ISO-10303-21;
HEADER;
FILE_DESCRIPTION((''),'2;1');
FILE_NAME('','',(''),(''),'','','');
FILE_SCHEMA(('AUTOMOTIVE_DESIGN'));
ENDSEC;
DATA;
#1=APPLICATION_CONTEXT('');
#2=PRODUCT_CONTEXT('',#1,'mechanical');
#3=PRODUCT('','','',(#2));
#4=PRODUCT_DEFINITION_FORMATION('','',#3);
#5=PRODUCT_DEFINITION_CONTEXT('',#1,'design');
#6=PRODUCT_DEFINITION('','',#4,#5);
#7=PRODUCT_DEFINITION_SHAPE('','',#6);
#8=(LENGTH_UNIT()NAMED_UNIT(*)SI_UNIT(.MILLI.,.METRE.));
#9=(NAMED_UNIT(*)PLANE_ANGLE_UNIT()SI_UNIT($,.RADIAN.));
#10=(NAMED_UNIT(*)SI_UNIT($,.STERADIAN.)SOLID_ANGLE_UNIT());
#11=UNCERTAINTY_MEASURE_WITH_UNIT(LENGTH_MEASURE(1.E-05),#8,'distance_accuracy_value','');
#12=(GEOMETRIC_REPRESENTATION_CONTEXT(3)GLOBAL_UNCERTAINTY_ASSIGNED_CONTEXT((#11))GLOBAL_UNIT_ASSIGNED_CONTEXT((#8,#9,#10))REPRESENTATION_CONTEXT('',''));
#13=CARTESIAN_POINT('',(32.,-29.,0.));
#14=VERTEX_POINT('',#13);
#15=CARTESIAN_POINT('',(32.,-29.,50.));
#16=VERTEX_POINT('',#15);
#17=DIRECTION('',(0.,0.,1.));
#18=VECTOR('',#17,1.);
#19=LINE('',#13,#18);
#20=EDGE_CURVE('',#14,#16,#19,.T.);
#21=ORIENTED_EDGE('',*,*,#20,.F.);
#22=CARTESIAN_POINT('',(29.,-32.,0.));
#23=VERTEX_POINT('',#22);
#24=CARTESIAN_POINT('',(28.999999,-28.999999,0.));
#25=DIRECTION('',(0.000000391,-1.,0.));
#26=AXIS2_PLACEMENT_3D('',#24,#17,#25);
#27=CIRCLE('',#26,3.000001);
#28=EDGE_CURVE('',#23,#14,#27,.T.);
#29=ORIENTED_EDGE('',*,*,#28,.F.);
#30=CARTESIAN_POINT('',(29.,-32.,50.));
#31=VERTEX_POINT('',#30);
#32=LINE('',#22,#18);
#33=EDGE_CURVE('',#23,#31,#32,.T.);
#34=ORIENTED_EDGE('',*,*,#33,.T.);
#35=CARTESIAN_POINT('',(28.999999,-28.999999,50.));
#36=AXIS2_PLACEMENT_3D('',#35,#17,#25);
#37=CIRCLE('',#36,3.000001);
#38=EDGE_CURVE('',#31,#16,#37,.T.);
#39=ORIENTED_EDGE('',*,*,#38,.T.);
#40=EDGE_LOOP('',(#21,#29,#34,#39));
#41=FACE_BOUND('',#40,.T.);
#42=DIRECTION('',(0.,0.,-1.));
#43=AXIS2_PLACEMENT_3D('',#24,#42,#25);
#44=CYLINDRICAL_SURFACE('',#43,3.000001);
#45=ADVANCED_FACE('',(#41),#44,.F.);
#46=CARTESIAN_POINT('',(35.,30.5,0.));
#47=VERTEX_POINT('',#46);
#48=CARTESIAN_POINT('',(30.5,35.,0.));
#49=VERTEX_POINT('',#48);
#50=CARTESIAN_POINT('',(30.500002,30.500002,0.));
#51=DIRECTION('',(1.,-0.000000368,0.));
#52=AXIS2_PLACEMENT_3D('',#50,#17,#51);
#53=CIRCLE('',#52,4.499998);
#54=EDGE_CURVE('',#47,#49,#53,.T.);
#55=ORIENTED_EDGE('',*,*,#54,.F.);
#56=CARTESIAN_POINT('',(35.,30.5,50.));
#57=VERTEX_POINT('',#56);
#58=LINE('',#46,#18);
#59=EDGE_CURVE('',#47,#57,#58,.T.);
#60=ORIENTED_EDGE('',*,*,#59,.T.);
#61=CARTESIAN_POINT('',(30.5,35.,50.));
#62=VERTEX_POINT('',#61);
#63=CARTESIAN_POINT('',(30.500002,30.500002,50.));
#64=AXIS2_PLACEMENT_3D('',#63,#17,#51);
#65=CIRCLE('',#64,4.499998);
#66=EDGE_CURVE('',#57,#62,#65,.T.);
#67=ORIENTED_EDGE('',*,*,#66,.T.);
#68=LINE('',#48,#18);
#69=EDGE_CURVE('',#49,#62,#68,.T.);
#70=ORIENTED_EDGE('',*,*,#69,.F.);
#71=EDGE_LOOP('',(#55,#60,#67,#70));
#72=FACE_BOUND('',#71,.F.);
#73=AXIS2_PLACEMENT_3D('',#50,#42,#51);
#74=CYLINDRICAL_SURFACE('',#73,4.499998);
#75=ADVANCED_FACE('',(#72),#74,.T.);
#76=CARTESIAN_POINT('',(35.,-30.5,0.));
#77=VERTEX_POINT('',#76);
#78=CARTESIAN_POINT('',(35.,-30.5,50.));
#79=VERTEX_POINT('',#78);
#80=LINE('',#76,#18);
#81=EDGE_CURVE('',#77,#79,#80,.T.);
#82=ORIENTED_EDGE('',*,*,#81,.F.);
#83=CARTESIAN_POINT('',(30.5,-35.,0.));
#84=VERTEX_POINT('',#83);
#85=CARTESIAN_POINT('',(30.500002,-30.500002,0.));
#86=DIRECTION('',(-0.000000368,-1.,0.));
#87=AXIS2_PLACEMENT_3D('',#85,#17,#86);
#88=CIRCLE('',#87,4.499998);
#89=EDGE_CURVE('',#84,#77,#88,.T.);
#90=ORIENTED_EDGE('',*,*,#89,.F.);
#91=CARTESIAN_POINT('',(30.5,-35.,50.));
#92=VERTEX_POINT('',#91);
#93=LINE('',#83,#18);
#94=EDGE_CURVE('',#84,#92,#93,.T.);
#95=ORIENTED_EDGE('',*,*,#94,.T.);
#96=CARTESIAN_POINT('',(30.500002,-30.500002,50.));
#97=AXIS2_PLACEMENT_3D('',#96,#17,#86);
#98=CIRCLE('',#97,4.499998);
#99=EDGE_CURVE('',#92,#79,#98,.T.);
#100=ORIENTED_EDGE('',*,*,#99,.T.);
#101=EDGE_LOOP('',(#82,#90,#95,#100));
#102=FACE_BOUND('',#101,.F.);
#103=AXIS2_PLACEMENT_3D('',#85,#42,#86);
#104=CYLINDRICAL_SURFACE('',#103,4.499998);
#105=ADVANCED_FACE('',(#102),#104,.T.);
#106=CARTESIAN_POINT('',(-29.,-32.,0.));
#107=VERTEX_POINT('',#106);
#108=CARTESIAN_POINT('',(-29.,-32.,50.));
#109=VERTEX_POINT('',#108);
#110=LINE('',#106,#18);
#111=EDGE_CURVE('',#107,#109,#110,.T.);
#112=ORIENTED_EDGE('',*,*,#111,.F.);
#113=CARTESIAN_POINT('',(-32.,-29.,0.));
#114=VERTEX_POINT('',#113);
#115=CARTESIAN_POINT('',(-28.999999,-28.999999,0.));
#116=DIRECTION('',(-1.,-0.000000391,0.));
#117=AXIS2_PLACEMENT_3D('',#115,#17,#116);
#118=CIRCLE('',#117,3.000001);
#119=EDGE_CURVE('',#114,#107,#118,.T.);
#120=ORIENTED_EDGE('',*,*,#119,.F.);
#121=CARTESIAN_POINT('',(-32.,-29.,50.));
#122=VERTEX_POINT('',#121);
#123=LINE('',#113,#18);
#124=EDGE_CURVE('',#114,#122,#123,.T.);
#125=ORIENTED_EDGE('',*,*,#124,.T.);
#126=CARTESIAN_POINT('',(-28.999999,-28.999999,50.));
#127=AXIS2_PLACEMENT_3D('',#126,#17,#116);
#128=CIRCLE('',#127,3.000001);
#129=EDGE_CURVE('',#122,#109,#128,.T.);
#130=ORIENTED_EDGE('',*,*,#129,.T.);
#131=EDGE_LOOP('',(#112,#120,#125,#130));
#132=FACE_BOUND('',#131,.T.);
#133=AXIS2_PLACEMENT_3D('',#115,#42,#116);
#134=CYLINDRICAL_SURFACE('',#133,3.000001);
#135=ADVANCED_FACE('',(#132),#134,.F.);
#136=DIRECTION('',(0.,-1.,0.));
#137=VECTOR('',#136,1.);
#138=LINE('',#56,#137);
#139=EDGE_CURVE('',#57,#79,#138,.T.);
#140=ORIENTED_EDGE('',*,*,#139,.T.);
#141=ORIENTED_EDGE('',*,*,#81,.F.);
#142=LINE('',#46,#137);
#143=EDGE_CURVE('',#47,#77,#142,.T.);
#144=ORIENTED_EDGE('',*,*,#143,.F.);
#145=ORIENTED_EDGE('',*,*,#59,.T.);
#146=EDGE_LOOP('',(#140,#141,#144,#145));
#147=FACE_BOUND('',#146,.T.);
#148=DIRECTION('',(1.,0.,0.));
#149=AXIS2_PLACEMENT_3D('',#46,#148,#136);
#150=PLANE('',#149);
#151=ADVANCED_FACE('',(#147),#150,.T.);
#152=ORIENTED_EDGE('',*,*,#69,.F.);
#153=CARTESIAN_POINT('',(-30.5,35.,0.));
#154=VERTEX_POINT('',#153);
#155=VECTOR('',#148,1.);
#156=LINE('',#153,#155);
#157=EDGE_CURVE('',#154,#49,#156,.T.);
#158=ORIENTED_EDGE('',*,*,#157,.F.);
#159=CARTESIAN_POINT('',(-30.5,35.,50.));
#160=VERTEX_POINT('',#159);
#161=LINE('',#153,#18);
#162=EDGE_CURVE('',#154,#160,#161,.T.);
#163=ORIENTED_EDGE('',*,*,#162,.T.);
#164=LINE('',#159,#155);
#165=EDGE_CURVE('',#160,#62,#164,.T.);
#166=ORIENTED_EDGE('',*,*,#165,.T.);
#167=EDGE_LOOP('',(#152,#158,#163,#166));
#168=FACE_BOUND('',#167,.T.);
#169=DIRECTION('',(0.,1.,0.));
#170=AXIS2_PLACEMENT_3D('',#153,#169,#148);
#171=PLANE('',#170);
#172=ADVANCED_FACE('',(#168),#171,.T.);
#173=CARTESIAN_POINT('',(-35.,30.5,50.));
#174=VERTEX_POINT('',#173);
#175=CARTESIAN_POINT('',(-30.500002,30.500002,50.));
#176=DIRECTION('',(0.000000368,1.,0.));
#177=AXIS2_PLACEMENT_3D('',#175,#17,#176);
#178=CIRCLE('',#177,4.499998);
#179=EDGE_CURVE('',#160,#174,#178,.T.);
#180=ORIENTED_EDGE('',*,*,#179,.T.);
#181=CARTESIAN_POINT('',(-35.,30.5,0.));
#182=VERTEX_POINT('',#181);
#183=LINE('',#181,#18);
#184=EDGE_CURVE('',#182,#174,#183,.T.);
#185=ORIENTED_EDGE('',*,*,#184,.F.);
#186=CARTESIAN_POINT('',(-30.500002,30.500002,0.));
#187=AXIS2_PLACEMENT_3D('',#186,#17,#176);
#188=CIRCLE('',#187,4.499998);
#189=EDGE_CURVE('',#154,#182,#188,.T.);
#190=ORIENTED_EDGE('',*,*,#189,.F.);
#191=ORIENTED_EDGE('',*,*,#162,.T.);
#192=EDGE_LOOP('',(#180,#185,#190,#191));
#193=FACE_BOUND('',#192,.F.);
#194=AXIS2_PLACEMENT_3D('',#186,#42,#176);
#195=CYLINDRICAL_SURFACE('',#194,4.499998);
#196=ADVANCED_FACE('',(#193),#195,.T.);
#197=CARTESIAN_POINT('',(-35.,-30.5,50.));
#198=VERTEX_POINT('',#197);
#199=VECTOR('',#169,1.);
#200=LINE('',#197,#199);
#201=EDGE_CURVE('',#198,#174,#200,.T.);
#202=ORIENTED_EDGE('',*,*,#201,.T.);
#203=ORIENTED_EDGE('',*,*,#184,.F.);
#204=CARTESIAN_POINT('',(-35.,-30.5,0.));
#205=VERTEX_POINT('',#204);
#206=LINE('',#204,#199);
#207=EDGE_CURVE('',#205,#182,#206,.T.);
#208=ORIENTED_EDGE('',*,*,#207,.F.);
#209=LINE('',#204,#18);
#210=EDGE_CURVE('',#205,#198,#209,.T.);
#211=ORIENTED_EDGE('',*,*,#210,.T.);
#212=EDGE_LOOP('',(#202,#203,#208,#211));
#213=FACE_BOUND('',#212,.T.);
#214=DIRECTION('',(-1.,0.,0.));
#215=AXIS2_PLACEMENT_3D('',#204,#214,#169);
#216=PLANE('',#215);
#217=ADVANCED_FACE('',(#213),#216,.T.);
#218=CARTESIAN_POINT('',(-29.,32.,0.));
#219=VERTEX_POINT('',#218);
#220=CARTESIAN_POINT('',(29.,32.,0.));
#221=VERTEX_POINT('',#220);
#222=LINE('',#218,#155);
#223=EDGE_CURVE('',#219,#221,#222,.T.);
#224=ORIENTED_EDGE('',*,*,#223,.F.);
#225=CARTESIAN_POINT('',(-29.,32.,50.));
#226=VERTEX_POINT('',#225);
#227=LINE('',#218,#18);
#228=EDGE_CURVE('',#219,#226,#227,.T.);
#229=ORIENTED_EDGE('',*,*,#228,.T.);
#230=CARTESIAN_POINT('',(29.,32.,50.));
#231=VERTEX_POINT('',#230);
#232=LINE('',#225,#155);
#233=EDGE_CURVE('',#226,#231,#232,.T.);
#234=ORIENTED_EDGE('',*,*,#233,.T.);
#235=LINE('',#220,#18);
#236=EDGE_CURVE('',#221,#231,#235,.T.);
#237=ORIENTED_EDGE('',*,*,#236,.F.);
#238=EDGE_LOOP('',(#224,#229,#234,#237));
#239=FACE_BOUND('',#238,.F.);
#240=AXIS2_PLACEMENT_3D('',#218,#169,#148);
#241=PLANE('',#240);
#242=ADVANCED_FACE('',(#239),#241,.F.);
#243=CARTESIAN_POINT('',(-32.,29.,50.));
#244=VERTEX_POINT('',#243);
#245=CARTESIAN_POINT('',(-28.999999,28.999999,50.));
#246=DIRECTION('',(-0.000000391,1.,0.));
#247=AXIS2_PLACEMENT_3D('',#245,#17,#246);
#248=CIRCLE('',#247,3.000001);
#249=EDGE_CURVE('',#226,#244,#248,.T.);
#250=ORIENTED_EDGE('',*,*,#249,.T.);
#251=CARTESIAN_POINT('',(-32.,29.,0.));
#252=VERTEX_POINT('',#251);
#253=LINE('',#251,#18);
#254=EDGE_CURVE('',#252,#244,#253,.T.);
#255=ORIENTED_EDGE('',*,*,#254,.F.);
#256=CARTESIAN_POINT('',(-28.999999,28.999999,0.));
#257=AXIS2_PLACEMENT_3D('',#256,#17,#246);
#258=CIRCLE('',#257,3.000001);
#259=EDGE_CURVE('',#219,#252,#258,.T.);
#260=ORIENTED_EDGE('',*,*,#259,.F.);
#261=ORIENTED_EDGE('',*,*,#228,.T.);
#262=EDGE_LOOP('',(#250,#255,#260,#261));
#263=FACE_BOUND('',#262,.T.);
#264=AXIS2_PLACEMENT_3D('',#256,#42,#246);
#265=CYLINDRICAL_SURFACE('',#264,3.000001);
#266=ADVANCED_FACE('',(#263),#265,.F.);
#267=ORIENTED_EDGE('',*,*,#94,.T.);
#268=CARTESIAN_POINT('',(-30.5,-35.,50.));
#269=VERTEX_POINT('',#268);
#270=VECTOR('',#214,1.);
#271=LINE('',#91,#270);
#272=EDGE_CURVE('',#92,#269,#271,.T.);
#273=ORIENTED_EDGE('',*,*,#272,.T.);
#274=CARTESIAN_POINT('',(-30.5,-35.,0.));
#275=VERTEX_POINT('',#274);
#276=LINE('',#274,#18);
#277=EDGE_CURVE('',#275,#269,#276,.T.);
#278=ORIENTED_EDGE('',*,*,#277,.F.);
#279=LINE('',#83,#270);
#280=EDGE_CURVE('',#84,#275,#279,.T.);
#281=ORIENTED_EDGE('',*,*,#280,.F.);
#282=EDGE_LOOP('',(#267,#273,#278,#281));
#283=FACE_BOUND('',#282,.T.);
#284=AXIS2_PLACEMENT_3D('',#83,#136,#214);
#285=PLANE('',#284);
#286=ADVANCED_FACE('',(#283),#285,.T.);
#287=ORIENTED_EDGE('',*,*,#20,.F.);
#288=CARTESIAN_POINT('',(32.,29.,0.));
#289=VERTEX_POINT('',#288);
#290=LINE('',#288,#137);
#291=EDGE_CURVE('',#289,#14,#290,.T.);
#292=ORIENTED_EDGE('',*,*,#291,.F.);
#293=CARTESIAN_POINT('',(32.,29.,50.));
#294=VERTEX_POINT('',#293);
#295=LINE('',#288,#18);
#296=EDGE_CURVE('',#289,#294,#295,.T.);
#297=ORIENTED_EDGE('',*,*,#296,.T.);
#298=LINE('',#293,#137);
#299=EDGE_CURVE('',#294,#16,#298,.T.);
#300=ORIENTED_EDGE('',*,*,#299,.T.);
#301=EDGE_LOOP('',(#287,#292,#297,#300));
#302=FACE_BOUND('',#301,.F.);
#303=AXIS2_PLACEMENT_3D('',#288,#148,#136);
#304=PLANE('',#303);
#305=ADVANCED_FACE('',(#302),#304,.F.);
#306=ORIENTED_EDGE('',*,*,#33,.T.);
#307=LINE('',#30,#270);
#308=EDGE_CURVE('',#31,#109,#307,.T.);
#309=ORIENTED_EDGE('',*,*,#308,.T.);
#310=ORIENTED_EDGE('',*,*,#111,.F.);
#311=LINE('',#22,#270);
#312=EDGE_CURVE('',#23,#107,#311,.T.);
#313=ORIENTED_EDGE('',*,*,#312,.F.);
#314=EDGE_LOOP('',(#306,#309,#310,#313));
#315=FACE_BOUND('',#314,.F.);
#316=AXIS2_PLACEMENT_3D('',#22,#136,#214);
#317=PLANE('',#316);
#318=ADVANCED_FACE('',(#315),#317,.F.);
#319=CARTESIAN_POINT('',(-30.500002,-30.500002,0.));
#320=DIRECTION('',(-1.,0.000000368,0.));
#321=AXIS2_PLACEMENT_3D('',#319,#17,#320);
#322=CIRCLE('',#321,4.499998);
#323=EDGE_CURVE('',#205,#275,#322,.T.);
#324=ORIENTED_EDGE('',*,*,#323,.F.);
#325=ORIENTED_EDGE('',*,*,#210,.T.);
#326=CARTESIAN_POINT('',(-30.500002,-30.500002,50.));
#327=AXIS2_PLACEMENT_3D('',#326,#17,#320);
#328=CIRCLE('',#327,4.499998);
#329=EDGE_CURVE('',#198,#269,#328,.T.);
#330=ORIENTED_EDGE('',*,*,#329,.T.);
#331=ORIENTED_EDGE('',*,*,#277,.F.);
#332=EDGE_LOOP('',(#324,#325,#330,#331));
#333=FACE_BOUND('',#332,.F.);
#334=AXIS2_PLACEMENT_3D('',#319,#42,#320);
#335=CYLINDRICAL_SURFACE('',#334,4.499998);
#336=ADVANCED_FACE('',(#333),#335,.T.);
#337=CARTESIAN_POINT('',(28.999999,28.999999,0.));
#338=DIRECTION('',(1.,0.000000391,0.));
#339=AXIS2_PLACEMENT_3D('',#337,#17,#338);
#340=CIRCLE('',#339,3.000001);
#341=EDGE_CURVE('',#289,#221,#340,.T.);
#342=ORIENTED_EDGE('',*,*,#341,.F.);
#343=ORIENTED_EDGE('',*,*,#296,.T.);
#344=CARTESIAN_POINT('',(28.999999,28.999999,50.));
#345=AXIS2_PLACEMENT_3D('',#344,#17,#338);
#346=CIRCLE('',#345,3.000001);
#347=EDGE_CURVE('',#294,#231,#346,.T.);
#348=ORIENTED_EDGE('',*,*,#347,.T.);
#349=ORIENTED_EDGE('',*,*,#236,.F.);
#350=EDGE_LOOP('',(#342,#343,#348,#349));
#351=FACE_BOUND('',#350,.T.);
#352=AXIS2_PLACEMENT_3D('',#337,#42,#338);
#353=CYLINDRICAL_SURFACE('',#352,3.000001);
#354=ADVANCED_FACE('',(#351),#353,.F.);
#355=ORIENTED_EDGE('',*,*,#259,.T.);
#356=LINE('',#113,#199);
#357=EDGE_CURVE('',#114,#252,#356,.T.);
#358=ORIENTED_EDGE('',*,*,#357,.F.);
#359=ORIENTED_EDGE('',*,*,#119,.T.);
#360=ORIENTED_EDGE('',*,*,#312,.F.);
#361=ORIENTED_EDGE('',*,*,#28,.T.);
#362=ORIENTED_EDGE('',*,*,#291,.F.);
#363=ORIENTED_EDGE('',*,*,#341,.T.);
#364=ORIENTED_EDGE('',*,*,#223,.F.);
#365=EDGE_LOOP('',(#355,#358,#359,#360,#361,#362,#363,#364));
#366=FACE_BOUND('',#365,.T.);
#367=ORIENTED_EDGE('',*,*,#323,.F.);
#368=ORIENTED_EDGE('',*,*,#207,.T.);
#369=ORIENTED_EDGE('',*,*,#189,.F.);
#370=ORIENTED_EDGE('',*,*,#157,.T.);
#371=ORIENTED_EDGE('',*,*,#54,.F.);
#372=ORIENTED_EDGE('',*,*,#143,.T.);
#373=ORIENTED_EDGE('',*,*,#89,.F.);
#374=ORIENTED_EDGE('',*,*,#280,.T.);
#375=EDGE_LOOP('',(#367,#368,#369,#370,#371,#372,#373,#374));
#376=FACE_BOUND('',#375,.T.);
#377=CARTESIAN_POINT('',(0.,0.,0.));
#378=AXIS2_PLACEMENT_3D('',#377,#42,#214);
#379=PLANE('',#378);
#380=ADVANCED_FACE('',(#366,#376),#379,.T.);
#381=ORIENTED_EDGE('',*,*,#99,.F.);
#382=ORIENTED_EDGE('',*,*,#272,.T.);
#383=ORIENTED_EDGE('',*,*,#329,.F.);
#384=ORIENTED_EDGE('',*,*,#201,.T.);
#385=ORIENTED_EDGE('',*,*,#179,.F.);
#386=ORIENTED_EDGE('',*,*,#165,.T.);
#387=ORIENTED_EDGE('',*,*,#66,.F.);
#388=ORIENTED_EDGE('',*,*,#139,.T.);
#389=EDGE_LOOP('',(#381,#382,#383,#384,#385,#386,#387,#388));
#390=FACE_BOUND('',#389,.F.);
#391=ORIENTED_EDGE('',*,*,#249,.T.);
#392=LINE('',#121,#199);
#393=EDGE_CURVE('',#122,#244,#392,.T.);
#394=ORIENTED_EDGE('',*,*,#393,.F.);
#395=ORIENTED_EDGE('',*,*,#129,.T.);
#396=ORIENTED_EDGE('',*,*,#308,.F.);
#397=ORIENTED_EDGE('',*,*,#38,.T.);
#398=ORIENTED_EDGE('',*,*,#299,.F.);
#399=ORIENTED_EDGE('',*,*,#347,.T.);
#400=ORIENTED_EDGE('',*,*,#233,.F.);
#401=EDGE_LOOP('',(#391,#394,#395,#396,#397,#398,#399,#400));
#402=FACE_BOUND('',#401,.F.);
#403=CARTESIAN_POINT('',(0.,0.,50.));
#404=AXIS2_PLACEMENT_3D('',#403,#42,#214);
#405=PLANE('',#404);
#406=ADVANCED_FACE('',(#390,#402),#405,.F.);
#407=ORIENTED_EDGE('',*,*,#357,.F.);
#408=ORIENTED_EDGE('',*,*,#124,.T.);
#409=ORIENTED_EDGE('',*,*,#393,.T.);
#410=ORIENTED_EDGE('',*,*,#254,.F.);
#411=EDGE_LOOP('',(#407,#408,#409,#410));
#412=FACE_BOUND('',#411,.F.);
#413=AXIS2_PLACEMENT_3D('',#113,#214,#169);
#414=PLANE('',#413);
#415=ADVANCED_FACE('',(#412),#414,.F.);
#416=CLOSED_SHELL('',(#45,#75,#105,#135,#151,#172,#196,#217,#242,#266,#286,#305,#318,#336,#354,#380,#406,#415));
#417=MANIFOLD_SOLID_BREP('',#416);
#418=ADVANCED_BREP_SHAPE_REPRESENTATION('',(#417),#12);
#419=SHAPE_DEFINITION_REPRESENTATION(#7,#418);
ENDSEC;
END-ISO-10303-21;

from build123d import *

# Parameters (mm, degrees)
EXTRUDE_DEPTH = 50


with BuildPart() as part:
    # Sketch → Extrude (new body)
    with BuildSketch(Plane.XY):
        with BuildLine():
            Line((-30.5, 35), (30.5, 35))
            ThreePointArc((35, 30.5), (33.681981, 33.681981), (30.5, 35))
            Line((35, 30.5), (35, -30.5))
            ThreePointArc((30.5, -35), (33.681981, -33.681981), (35, -30.5))
            Line((30.5, -35), (-30.5, -35))
            ThreePointArc((-35, -30.5), (-33.681981, -33.681981), (-30.5, -35))
            Line((-35, -30.5), (-35, 30.5))
            ThreePointArc((-30.5, 35), (-33.681981, 33.681981), (-35, 30.5))
        make_face()
        with BuildLine():
            Line((-29, 32), (29, 32))
            ThreePointArc((32, 29), (31.12132, 31.12132), (29, 32))
            Line((32, 29), (32, -29))
            ThreePointArc((29, -32), (31.12132, -31.12132), (32, -29))
            Line((29, -32), (-29, -32))
            ThreePointArc((-32, -29), (-31.12132, -31.12132), (-29, -32))
            Line((-32, -29), (-32, 29))
            ThreePointArc((-29, 32), (-31.12132, 31.12132), (-32, 29))
        make_face(mode=Mode.SUBTRACT)
    extrude(amount=EXTRUDE_DEPTH)


solid = part.part
